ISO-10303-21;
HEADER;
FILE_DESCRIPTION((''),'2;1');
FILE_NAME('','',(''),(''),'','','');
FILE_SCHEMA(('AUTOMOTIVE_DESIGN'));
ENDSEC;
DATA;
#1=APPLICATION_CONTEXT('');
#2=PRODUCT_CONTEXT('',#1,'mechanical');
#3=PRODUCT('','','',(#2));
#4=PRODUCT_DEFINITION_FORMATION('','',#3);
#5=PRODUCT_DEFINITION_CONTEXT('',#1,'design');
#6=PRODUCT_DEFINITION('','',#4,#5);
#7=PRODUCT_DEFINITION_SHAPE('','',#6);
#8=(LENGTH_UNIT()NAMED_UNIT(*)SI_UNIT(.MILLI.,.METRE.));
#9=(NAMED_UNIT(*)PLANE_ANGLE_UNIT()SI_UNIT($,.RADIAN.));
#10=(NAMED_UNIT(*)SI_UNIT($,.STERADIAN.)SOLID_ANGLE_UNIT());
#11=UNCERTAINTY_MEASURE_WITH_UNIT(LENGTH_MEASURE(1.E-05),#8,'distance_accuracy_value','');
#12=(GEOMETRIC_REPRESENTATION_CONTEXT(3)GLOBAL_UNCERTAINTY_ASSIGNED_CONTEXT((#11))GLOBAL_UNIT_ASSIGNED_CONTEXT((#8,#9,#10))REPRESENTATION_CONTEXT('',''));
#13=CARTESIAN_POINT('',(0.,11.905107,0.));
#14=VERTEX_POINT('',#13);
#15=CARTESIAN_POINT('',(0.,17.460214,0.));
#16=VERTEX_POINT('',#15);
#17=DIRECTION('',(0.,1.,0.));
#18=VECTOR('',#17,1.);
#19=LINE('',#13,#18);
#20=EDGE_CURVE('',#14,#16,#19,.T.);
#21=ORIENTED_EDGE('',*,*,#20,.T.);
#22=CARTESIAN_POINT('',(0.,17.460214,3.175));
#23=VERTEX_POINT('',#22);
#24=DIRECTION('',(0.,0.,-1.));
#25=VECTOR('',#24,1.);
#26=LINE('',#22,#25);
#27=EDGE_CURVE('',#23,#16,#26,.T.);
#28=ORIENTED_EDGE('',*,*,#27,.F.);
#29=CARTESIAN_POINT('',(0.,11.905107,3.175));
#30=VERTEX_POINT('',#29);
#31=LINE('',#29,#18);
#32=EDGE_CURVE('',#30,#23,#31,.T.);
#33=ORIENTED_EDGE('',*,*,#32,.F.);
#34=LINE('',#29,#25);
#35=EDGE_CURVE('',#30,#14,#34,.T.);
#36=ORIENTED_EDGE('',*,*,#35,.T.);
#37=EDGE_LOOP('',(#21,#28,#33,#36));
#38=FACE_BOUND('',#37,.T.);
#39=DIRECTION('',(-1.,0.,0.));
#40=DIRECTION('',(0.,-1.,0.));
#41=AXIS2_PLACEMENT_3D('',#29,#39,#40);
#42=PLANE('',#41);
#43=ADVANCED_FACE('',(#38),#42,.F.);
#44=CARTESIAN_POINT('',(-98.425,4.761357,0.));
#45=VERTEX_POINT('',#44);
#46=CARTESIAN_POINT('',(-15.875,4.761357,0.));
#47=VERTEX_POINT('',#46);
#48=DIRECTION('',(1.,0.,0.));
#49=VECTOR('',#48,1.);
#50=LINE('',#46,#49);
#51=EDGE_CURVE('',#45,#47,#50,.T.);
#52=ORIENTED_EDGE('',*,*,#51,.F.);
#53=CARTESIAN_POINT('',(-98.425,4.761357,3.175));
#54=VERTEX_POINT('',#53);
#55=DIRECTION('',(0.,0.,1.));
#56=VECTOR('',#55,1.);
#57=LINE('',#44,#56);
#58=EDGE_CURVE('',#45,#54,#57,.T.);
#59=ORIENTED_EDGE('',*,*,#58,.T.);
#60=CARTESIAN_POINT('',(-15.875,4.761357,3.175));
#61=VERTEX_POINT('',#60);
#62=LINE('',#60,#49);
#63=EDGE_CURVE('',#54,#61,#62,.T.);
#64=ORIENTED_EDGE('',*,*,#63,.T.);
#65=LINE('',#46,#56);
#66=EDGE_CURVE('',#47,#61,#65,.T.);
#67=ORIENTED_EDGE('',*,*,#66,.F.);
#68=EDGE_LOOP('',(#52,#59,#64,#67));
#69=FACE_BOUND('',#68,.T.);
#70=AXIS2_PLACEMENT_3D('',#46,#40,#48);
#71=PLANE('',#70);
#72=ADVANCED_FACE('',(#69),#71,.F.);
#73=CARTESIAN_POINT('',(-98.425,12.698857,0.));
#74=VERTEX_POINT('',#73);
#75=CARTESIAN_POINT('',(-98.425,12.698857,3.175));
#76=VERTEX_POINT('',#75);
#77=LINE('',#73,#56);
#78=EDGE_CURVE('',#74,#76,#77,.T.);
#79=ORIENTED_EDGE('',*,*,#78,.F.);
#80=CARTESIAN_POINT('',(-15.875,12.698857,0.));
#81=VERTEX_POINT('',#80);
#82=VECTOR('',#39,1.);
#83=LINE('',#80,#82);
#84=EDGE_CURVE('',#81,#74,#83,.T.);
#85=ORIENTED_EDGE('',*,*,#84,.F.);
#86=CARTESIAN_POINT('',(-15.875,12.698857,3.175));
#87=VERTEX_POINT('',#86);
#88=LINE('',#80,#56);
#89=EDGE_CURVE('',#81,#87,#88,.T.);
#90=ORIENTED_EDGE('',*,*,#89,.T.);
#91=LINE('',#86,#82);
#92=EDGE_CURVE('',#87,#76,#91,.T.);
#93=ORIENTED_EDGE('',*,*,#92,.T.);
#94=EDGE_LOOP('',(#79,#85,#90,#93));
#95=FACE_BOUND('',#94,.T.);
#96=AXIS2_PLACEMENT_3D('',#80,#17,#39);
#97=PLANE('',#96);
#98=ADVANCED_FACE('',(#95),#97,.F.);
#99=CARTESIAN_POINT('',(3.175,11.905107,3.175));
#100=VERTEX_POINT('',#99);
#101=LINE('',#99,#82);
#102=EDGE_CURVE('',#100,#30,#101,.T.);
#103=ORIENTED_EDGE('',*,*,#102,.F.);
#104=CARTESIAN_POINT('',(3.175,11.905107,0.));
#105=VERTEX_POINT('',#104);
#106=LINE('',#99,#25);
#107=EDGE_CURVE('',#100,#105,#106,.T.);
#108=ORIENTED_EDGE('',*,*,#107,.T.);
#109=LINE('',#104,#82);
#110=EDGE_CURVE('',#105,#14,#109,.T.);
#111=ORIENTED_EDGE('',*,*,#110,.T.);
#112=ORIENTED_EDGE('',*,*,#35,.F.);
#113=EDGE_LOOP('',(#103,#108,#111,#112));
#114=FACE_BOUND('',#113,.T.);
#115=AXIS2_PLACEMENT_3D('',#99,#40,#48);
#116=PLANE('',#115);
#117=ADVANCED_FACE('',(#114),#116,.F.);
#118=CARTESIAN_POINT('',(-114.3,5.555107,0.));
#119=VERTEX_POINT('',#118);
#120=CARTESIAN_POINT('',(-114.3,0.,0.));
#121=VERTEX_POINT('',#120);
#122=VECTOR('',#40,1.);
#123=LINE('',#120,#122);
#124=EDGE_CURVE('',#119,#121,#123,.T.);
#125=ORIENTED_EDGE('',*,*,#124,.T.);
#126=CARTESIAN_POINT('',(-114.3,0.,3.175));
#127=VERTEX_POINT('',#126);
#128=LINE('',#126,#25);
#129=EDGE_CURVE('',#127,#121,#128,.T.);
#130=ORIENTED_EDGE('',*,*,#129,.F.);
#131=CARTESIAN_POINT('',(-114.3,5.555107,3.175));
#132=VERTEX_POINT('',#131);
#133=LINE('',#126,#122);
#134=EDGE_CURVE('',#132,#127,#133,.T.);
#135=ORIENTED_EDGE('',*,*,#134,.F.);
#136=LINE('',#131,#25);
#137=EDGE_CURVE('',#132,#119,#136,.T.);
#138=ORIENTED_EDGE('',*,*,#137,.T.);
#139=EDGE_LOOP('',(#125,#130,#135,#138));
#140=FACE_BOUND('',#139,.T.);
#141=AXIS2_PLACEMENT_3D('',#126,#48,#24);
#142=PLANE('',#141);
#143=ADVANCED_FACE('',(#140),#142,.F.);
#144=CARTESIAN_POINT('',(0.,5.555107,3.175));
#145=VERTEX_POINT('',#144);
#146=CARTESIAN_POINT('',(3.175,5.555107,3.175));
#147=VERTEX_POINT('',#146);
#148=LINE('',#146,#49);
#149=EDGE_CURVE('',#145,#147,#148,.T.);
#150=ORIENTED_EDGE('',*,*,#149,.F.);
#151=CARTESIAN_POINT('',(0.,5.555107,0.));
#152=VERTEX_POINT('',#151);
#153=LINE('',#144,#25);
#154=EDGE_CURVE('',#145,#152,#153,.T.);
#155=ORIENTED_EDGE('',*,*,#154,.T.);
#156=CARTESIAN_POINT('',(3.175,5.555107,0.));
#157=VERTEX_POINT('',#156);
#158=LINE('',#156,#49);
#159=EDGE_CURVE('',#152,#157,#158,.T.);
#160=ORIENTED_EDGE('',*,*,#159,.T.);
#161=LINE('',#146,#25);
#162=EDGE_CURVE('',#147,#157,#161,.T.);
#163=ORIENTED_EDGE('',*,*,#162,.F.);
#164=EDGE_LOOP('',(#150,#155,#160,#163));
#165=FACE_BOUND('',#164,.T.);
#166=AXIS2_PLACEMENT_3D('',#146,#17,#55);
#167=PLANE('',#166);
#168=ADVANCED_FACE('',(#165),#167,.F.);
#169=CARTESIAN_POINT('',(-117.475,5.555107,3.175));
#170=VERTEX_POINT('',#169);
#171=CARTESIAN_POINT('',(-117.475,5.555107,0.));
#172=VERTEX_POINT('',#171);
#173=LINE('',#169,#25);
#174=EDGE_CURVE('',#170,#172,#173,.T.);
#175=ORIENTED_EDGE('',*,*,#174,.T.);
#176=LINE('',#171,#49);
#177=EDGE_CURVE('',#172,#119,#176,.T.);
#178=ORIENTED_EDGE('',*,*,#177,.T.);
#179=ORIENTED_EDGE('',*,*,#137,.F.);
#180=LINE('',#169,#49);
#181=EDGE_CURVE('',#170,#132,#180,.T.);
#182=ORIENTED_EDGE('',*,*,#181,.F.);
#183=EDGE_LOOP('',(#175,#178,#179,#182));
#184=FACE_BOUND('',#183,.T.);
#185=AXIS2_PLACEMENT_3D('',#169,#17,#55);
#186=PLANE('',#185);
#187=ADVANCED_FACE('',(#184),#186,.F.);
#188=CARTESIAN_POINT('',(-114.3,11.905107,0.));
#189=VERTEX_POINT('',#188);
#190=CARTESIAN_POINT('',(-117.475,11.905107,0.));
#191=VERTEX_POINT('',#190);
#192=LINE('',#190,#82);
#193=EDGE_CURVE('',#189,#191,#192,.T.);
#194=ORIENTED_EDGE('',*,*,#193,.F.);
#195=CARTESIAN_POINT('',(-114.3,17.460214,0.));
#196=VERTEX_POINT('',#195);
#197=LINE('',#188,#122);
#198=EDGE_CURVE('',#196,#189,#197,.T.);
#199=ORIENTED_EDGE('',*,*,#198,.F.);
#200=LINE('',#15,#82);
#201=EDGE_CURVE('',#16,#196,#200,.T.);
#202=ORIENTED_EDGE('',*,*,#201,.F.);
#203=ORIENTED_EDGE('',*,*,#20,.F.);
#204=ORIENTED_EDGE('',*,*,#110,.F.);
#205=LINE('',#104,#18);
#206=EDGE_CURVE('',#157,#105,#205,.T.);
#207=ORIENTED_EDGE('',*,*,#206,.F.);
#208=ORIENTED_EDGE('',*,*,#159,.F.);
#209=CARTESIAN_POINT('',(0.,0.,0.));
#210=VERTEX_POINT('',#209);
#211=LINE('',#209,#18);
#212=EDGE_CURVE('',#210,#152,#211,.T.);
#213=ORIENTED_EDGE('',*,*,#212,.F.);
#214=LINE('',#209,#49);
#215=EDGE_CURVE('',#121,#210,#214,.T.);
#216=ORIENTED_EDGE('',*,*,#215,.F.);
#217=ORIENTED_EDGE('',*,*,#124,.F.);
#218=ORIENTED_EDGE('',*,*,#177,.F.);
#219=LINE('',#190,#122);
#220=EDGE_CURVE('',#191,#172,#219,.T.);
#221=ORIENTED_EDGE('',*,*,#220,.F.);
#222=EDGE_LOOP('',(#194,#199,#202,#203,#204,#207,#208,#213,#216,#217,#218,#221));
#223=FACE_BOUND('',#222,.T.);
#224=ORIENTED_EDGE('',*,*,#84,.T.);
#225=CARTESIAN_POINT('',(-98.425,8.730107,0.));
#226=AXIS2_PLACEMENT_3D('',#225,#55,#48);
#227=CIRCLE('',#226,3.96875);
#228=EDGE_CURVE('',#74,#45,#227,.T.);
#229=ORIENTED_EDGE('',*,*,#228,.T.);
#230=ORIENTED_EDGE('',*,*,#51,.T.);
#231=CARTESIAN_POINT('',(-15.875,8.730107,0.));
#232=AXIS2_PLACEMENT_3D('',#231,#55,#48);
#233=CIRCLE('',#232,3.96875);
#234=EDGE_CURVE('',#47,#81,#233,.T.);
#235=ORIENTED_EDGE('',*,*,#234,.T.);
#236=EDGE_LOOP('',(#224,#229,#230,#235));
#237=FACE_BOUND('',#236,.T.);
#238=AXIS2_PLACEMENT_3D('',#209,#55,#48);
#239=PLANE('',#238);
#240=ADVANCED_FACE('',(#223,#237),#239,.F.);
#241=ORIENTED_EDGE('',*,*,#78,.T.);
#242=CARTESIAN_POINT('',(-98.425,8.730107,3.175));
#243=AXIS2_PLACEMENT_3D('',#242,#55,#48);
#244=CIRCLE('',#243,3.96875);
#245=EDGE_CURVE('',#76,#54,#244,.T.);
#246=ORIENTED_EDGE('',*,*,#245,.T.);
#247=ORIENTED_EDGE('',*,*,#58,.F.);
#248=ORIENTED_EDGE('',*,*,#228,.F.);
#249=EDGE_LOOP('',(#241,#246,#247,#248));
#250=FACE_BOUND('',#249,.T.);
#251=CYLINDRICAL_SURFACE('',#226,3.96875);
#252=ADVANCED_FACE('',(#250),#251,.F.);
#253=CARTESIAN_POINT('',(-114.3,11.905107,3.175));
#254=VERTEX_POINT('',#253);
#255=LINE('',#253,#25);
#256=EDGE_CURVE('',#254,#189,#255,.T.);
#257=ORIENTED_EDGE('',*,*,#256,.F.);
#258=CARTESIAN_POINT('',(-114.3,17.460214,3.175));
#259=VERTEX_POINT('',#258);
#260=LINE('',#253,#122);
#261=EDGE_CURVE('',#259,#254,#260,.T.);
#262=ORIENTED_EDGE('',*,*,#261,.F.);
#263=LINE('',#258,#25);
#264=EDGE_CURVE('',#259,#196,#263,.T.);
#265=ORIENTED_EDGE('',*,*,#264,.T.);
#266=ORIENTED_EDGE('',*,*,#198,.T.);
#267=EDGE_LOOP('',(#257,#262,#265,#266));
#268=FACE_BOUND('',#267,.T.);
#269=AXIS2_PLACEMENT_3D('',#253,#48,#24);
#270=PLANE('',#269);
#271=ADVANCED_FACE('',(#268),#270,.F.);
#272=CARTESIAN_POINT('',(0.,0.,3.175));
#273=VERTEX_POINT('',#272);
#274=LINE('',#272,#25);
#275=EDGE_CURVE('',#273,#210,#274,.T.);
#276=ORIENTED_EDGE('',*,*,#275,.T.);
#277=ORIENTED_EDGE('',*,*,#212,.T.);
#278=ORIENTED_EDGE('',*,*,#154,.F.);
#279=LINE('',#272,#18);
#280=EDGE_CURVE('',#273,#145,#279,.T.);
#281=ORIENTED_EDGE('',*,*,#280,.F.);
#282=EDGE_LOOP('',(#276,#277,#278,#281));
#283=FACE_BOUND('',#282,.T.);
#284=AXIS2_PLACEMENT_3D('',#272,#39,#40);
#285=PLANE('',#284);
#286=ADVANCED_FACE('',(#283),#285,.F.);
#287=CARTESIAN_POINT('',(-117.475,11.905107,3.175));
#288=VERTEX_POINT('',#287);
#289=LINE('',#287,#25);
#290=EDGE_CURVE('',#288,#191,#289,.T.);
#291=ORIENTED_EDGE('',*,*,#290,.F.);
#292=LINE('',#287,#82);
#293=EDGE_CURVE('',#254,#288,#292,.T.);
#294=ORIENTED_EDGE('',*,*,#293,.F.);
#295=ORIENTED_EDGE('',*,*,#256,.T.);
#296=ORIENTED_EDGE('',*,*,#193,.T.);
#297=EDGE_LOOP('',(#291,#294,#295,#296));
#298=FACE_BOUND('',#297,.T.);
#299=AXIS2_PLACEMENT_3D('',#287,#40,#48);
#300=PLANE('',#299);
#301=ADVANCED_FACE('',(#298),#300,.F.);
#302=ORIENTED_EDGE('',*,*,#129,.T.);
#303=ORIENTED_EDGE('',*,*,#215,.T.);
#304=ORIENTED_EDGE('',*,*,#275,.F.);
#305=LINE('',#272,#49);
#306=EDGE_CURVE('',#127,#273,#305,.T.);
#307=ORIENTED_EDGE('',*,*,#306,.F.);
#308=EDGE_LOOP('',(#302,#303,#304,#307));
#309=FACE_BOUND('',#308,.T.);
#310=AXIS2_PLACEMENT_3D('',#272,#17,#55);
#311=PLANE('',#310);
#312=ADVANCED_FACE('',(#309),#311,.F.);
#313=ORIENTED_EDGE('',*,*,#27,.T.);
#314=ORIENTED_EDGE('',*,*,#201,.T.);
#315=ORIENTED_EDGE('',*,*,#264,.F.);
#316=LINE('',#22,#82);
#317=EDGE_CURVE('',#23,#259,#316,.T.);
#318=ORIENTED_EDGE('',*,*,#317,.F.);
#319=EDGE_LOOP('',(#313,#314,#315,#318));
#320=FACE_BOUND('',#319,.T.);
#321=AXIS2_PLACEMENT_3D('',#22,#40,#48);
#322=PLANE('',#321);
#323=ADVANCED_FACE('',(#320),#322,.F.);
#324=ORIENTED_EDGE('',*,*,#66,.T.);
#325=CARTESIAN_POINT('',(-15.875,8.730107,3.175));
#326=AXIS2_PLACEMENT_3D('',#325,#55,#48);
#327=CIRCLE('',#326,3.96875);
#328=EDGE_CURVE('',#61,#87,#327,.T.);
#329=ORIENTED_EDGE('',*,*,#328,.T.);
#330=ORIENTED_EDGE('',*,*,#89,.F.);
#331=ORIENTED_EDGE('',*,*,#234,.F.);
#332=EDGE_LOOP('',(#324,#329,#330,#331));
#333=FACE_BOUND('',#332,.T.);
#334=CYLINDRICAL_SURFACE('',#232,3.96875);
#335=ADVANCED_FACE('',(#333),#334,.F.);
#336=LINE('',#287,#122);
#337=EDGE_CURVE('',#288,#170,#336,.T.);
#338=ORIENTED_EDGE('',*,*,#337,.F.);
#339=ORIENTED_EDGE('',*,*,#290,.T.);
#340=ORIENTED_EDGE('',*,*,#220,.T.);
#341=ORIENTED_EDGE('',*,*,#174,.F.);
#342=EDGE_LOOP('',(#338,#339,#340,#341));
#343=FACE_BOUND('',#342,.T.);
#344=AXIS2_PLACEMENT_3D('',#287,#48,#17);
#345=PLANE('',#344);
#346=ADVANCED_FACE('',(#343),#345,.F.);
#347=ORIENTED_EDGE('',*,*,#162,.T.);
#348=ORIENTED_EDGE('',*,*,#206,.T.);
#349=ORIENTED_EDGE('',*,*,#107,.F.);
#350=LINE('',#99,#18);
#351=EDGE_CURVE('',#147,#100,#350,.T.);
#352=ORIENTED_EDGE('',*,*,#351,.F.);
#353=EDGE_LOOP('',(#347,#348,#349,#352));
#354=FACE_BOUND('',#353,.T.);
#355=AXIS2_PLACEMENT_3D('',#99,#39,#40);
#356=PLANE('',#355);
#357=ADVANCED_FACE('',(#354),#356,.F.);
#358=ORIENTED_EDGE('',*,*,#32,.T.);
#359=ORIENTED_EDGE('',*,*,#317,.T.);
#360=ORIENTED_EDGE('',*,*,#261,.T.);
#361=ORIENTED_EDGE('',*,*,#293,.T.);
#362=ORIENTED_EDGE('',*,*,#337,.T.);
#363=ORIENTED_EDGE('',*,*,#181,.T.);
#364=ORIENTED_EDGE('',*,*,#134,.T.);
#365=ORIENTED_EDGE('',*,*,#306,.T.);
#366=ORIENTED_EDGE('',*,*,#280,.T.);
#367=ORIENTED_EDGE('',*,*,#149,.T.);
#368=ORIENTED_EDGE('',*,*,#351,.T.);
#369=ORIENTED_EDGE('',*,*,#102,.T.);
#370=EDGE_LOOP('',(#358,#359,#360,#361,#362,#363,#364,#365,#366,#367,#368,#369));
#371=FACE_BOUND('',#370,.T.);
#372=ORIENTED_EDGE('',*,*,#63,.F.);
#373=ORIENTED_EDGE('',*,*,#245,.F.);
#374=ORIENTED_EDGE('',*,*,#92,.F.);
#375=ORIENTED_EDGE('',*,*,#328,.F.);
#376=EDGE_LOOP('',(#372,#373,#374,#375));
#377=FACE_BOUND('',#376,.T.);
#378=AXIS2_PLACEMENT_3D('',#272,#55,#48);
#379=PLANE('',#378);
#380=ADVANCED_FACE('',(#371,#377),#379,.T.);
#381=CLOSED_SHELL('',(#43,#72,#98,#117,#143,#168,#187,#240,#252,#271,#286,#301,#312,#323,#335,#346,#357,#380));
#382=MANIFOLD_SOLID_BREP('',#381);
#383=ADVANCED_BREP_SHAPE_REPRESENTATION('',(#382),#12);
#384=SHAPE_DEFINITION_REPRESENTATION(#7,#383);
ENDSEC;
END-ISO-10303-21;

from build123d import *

# Parameters (mm, degrees)
BOSS_EXTRUDE1_DEPTH = 3.175
CUT_EXTRUDE2_DEPTH  = 4.175


with BuildPart() as part:
    # Sketch1 → Boss-Extrude1 (new body)
    with BuildSketch(Plane.XY):
        Polygon((0, 0), (-114.3, 0), (-114.3, 5.555107), (-117.475, 5.555107), (-117.475, 11.905107), (-114.3, 11.905107), (-114.3, 17.460214), (0, 17.460214), (0, 11.905107), (3.175, 11.905107), (3.175, 5.555107), (0, 5.555107), align=None)
    extrude(amount=BOSS_EXTRUDE1_DEPTH)

    # Sketch3 → Cut-Extrude2 (cut, through all)
    with BuildSketch(Plane.XY.offset(3.175)):
        with BuildLine():
            Line((-15.875, 4.761357), (-98.425, 4.761357))
            ThreePointArc((-98.425, 4.761357), (-102.39375, 8.730107), (-98.425, 12.698857))
            Line((-98.425, 12.698857), (-15.875, 12.698857))
            ThreePointArc((-15.875, 12.698857), (-11.90625, 8.730107), (-15.875, 4.761357))
        make_face()
    extrude(amount=-CUT_EXTRUDE2_DEPTH, mode=Mode.SUBTRACT)


solid = part.part
